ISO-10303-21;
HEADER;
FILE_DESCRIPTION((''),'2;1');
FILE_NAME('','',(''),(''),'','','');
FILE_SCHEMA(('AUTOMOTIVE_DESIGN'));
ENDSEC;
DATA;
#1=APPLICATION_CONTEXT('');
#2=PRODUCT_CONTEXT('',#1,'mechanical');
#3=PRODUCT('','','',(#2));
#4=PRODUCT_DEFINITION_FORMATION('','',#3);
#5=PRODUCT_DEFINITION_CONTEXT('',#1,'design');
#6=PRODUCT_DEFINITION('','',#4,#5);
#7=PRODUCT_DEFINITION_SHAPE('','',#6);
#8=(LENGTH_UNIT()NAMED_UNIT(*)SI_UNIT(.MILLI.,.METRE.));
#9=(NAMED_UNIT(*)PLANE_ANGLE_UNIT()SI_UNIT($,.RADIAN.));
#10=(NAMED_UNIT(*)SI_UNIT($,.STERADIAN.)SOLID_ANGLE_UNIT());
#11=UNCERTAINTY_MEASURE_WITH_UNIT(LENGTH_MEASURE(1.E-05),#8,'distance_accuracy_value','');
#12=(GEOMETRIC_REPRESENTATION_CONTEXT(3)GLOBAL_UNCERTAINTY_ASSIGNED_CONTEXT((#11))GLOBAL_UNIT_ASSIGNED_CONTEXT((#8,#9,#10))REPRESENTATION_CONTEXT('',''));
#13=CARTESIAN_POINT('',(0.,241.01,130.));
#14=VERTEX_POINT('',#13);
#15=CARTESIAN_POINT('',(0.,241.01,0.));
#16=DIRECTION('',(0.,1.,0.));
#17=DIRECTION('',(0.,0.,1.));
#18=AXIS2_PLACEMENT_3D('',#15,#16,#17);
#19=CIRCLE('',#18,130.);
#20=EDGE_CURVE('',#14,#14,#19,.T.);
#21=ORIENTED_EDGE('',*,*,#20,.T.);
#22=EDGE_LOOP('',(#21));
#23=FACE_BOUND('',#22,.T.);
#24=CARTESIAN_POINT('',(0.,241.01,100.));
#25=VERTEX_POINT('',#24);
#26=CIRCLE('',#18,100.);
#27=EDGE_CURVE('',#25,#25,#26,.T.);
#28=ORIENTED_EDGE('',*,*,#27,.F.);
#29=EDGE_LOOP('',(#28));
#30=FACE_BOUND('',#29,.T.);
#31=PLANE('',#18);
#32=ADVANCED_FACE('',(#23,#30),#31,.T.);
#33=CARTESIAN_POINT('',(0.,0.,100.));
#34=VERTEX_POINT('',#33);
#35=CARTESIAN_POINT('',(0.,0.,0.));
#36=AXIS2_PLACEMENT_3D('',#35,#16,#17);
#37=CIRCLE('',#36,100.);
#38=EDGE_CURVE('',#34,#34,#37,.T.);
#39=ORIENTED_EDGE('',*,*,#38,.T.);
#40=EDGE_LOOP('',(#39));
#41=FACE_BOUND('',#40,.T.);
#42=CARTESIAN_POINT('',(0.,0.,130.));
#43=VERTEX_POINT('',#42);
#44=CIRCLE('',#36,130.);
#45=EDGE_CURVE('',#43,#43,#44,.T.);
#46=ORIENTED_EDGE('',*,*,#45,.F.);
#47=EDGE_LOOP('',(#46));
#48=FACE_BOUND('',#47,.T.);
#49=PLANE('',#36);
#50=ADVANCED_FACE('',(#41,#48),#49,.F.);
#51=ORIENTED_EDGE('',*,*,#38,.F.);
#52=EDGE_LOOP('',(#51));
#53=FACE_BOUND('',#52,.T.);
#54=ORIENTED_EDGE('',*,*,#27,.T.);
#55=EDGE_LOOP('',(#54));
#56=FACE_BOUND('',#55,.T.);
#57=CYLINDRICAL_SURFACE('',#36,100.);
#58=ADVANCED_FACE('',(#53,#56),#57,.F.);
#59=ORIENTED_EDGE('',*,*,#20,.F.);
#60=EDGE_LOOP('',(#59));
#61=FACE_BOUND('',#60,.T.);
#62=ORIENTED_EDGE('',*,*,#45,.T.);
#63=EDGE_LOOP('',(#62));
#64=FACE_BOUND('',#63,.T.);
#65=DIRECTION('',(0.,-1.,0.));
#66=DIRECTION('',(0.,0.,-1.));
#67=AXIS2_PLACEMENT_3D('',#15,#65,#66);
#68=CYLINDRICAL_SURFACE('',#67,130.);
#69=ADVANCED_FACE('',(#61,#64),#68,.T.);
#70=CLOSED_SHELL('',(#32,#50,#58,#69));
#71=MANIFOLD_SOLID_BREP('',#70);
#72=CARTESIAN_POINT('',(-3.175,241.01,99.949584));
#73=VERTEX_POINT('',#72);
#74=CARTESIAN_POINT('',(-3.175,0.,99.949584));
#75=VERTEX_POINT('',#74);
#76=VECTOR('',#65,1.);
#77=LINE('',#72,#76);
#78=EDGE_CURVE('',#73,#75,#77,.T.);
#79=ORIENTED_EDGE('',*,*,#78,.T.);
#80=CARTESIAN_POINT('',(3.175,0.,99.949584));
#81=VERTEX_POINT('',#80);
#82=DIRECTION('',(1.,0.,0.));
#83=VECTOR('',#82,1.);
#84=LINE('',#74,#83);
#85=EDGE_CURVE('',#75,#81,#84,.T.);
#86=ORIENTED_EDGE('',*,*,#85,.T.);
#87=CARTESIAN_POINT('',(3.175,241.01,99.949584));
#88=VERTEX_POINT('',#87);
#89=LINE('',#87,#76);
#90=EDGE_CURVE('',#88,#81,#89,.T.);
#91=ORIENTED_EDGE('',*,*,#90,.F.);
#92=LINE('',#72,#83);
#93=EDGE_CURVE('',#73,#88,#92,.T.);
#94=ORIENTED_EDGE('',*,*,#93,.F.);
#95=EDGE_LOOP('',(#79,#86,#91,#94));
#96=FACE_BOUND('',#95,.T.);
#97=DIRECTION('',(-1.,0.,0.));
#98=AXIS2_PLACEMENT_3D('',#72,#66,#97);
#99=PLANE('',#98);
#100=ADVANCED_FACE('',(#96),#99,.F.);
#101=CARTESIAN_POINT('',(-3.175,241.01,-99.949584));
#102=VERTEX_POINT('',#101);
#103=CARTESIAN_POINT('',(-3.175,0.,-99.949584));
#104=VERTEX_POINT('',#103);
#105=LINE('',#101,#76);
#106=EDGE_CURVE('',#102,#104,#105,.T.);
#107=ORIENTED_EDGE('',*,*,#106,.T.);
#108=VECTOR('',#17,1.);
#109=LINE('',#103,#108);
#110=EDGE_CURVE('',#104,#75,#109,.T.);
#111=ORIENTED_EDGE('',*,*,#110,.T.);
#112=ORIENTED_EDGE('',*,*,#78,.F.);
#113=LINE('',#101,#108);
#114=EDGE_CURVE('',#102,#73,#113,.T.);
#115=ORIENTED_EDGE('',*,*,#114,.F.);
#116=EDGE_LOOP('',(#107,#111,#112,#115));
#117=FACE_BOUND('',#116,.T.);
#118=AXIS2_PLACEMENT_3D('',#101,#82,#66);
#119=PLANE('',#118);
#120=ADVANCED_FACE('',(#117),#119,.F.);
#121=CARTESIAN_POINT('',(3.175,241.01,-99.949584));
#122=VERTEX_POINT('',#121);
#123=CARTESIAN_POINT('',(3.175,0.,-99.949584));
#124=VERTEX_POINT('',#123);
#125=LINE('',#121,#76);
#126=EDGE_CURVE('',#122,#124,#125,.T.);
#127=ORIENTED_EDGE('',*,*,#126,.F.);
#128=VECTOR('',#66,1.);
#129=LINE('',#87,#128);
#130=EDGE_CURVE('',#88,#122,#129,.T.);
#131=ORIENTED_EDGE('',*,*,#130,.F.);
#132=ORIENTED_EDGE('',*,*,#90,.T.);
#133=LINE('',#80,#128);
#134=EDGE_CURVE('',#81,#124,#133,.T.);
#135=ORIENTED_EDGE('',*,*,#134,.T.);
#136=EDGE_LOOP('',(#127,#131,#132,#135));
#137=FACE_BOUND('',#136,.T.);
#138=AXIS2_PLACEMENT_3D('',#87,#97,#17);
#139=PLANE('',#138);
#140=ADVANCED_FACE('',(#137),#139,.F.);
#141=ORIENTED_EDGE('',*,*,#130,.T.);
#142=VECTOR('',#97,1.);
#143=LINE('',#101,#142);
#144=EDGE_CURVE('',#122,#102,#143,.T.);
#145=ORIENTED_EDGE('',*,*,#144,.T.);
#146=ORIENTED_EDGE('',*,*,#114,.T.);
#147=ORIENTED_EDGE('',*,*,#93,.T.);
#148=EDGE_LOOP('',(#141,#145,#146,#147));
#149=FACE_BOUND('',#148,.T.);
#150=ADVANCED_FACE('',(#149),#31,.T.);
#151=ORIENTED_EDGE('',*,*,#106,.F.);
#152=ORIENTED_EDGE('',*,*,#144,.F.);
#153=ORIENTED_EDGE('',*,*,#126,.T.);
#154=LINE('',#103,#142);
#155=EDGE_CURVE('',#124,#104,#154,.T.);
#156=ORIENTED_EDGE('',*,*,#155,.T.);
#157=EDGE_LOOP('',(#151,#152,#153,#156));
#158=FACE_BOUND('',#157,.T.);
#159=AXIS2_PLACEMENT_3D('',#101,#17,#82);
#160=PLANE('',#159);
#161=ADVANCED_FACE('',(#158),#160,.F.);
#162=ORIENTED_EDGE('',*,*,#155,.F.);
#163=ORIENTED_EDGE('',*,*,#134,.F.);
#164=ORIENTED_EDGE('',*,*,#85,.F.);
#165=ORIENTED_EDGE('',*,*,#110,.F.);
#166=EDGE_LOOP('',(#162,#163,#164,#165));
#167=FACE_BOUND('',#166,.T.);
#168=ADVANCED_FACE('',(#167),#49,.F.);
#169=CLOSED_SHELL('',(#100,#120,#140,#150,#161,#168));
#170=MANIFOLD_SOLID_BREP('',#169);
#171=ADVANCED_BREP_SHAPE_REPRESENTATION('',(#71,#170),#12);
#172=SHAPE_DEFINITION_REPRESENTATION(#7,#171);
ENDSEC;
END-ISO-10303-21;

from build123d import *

# Parameters (mm, degrees)
SKETCH1_R           = 130
BOSS_EXTRUDE1_DEPTH = 241.01
SKETCH2_R           = 100
CUT_EXTRUDE1_DEPTH  = 304.126739335
SKETCH5_W           = 6.35
SKETCH5_H           = 199.899168332
BOSS_EXTRUDE2_DEPTH = 241.01


with BuildPart() as part:
    # Sketch1 → Boss-Extrude1 (new body)
    with BuildSketch(Plane(origin=(0, 0, 0), x_dir=(1, 0, 0), z_dir=(0, 1, 0))):
        with Locations(Location((0, 0, 0), (0, 0, 270))):
            Circle(SKETCH1_R)
    extrude(amount=BOSS_EXTRUDE1_DEPTH)

    # Sketch2 → Cut-Extrude1 (cut, through all)
    with BuildSketch(Plane(origin=(0, 241.01, 0), x_dir=(1, 0, 0), z_dir=(0, 1, 0))):
        with Locations(Location((0, 0, 0), (0, 0, 270))):
            Circle(SKETCH2_R)
    extrude(amount=-CUT_EXTRUDE1_DEPTH, mode=Mode.SUBTRACT)


with BuildPart() as body_2:
    # Sketch5 → Boss-Extrude2 (new body)
    with BuildSketch(Plane(origin=(0, 0, 0), x_dir=(1, 0, 0), z_dir=(0, 1, 0))):
        Rectangle(SKETCH5_W, SKETCH5_H)
    extrude(amount=BOSS_EXTRUDE2_DEPTH)


solid = Compound([part.part, body_2.part])
